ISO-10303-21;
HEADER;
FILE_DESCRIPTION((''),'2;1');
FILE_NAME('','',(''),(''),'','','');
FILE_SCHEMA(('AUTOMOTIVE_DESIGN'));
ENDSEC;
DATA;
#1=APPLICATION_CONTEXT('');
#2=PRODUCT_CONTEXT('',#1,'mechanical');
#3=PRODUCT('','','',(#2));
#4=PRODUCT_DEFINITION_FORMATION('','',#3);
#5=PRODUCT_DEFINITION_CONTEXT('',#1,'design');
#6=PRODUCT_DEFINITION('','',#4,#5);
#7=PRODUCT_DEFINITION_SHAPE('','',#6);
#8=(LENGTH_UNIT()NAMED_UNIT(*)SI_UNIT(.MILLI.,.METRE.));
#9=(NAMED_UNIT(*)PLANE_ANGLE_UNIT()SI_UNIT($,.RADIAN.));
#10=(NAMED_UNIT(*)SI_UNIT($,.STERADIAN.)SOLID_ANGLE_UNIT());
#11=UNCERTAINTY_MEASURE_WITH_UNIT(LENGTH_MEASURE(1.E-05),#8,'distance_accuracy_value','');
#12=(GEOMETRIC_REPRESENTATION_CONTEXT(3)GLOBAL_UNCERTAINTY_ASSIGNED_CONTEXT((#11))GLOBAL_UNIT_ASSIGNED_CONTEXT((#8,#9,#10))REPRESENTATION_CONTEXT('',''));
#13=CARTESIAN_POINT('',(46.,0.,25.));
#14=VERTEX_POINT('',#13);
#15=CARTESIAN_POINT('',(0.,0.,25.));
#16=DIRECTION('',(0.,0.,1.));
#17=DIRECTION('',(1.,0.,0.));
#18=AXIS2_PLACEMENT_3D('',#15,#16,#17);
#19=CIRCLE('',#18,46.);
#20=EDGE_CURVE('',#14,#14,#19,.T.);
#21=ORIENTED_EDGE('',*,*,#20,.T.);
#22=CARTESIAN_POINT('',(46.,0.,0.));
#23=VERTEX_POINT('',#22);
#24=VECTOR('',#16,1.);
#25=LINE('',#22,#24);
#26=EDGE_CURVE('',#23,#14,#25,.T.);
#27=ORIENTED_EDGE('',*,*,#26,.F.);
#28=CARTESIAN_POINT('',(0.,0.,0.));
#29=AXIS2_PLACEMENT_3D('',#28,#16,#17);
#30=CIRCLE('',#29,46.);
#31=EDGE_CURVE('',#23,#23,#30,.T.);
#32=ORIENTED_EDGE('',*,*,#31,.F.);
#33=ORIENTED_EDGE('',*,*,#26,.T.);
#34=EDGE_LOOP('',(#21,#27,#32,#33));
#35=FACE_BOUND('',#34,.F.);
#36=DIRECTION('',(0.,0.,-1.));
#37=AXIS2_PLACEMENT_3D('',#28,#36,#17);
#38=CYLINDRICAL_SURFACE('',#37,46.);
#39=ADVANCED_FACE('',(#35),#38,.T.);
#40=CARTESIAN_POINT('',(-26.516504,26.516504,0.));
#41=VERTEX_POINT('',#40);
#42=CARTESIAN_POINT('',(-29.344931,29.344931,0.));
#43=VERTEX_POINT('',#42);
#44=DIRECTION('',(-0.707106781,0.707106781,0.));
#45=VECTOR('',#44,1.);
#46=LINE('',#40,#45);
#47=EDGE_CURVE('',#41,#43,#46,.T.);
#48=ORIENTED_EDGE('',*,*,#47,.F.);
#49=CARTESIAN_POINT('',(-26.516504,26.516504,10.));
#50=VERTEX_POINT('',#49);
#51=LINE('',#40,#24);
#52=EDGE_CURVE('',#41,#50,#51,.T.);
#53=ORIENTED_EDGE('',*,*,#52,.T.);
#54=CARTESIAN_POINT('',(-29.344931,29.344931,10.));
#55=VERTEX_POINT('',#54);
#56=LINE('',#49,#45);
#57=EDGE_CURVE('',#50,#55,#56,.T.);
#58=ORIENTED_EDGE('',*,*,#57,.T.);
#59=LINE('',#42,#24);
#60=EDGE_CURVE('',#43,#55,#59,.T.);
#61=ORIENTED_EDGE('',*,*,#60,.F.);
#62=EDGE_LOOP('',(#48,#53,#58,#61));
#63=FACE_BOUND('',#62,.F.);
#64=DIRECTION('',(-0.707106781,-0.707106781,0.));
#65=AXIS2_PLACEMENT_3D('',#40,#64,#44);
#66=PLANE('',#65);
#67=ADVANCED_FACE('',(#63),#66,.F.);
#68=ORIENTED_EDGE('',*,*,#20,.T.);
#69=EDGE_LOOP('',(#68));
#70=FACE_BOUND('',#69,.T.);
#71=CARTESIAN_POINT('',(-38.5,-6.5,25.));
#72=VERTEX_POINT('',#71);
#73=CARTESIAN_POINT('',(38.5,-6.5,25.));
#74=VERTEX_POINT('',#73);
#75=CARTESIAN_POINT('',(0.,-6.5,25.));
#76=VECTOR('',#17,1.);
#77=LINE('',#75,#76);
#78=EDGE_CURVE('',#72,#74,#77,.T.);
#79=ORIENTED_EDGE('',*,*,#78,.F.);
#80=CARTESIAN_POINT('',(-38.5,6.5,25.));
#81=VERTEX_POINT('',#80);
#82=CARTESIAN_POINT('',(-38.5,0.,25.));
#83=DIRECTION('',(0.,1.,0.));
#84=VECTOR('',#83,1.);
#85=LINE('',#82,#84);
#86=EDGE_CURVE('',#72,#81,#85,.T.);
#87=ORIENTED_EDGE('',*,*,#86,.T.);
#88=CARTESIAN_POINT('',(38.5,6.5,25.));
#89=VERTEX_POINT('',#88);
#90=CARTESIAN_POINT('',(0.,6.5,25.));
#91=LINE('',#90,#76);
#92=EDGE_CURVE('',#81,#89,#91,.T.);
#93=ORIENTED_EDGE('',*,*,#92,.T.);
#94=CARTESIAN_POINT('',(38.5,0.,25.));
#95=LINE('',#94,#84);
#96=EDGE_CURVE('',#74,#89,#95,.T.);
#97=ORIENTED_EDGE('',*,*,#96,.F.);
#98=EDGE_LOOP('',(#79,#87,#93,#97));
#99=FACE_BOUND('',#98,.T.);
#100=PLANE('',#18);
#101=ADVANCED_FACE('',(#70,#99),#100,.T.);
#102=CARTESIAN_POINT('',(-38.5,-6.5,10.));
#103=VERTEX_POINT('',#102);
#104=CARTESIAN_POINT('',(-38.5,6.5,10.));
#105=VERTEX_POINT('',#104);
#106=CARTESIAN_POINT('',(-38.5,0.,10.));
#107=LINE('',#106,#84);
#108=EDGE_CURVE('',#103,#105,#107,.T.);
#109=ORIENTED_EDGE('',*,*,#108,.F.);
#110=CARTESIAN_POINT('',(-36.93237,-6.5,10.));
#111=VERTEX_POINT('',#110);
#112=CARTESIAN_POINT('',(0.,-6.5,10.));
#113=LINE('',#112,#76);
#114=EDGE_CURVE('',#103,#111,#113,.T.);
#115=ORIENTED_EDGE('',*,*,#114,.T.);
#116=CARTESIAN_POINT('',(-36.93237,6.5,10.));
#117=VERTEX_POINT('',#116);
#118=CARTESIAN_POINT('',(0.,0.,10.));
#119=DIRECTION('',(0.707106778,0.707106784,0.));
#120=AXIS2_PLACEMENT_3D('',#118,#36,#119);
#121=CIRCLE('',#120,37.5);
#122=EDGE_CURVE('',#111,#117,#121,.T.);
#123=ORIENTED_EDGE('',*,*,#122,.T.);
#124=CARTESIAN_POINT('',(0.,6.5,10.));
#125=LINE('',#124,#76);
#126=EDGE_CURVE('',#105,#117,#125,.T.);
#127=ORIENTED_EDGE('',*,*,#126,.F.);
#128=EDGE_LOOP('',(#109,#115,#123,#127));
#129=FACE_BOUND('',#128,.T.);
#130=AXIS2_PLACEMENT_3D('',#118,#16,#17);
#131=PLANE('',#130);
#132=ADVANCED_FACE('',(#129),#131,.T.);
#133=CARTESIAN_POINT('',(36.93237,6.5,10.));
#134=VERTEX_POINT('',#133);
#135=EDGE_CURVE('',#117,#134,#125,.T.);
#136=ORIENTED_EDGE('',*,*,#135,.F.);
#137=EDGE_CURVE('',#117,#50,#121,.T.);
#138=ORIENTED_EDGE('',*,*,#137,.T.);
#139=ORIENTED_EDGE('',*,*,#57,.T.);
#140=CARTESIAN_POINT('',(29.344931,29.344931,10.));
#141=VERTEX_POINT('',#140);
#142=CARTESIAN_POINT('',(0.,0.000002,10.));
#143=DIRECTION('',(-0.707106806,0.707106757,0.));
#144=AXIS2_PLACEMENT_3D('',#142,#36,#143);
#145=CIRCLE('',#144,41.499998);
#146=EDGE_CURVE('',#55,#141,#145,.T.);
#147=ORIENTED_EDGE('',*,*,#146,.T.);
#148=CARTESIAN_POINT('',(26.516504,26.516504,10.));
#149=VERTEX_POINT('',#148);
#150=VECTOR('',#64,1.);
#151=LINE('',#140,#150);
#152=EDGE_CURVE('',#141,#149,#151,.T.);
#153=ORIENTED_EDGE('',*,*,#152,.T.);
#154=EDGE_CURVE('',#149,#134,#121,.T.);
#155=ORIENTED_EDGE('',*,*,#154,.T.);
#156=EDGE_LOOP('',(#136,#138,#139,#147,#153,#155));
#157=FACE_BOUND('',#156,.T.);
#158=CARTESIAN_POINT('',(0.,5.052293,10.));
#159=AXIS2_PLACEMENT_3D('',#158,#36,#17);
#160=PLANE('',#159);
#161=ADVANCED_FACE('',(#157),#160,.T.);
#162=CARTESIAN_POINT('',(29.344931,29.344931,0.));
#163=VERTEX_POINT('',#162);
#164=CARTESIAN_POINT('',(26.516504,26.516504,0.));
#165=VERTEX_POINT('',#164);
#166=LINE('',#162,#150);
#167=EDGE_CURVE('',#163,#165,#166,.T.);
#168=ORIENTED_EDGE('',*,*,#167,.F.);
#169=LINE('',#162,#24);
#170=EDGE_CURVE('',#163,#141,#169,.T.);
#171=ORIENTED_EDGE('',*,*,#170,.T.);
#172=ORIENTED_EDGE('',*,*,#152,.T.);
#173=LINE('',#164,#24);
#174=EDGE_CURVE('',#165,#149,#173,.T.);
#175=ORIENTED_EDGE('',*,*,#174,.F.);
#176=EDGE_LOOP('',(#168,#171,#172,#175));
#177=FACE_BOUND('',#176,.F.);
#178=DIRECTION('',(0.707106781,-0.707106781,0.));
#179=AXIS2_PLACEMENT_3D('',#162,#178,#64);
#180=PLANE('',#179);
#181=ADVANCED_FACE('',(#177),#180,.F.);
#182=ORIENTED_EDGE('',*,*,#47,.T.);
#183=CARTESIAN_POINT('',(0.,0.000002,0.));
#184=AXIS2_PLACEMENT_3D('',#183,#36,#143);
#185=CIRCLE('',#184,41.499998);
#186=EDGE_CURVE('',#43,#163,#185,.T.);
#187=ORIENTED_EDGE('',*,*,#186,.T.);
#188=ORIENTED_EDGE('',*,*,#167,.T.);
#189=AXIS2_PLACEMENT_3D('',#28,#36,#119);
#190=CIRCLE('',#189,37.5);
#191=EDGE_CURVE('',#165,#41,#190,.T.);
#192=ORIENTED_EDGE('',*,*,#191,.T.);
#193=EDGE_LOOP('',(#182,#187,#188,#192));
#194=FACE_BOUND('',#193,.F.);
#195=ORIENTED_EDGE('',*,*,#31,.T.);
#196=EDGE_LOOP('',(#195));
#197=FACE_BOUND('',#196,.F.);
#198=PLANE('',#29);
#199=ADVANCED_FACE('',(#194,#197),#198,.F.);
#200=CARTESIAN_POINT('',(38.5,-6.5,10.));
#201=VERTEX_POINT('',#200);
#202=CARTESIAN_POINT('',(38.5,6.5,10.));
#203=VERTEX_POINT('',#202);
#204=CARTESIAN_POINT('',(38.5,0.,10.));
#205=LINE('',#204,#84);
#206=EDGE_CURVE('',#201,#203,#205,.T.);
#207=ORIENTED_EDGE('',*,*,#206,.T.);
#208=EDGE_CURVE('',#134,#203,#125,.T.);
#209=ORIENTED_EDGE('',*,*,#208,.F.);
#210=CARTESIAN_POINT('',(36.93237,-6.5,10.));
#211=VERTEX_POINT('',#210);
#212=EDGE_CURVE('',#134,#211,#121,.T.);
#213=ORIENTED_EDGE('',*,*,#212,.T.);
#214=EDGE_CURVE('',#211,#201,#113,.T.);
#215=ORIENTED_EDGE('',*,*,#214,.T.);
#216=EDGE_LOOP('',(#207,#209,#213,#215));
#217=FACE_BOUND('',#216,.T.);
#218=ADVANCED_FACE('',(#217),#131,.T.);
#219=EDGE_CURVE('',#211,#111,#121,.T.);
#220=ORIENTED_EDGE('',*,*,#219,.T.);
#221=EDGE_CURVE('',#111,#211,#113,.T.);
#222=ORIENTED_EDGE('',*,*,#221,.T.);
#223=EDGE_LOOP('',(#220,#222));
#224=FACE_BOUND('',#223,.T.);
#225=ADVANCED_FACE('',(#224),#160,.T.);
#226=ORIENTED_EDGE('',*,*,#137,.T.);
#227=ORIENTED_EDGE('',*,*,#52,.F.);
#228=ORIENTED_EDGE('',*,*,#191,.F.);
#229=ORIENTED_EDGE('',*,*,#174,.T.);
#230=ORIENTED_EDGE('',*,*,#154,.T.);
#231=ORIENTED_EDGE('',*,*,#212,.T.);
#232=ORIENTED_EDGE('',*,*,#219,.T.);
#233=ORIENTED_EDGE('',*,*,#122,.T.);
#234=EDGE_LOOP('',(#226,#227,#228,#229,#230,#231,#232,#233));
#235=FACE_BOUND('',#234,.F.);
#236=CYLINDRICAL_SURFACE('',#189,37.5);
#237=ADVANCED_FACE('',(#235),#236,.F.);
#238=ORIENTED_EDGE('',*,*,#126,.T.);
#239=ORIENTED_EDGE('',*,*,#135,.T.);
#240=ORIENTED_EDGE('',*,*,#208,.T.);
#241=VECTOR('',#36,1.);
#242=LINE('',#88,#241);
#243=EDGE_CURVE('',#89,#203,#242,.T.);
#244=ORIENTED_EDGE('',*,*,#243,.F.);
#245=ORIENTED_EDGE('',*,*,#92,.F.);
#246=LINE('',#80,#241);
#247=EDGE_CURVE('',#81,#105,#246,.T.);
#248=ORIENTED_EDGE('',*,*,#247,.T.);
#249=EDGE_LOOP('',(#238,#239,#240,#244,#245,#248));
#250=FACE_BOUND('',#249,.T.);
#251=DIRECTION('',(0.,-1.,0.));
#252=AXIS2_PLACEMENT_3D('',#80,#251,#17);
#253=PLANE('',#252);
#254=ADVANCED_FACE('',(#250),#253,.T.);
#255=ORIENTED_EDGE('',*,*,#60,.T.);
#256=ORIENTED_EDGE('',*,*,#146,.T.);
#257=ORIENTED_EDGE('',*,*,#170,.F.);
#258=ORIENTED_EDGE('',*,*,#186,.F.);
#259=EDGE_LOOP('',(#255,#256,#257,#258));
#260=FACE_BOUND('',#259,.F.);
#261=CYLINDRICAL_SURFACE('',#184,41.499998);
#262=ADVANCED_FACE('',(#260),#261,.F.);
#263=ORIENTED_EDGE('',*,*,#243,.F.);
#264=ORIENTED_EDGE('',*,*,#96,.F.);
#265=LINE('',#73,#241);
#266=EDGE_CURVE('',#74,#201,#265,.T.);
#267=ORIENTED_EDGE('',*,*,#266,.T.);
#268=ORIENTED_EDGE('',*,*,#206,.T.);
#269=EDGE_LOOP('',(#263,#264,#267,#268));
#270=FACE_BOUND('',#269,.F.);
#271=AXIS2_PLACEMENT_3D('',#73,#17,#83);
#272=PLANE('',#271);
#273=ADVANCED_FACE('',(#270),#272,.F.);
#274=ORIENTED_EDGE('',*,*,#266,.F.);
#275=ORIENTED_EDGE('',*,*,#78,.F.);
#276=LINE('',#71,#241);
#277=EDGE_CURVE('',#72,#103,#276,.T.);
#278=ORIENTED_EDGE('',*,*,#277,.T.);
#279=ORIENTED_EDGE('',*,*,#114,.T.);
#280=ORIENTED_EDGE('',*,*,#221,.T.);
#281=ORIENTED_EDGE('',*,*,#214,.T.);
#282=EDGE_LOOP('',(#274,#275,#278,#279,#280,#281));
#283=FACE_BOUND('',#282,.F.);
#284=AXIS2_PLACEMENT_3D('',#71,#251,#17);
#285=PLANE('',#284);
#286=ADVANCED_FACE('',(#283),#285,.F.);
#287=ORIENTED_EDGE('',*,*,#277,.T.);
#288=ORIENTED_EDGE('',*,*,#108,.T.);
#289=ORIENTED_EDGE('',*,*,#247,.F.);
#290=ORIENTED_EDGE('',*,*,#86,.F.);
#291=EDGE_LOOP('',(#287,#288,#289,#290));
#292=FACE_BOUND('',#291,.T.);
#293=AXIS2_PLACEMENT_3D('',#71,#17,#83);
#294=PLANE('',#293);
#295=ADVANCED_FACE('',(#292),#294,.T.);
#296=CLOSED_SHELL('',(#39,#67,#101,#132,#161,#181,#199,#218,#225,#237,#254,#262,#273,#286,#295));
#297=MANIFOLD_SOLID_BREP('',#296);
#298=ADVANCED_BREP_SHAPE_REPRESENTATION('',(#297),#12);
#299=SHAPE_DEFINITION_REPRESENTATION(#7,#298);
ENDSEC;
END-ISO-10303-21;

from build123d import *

# Parameters (mm, degrees)
F0_R     = 46
F1_DEPTH = 25
F3_DEPTH = 10
F4_W     = 77
F4_H     = 13
F5_DEPTH = 15


with BuildPart() as f1:
    # F0 (on Top) → F1 (new body)
    with BuildSketch(Plane.XY):
        Circle(F0_R)
    extrude(amount=F1_DEPTH)

    # F2 (on face) → F3 (cut)
    with BuildSketch(Plane(origin=(0, 0, 0), x_dir=(1, 0, 0), z_dir=(0, 0, -1))):
        with BuildLine():
            Line((29.344931, -29.344931), (26.516504, -26.516504))
            ThreePointArc((26.516504, -26.516504), (0, 37.5), (-26.516504, -26.516504))
            Line((-26.516504, -26.516504), (-29.344931, -29.344931))
            ThreePointArc((-29.344931, -29.344931), (0, -41.5), (29.344931, -29.344931))
        make_face()
    extrude(amount=-F3_DEPTH, mode=Mode.SUBTRACT)

    # F4 (on face) → F5 (cut)
    with BuildSketch(Plane.XY.offset(25)):
        Rectangle(F4_W, F4_H)
    extrude(amount=-F5_DEPTH, mode=Mode.SUBTRACT)


solid = f1.part
